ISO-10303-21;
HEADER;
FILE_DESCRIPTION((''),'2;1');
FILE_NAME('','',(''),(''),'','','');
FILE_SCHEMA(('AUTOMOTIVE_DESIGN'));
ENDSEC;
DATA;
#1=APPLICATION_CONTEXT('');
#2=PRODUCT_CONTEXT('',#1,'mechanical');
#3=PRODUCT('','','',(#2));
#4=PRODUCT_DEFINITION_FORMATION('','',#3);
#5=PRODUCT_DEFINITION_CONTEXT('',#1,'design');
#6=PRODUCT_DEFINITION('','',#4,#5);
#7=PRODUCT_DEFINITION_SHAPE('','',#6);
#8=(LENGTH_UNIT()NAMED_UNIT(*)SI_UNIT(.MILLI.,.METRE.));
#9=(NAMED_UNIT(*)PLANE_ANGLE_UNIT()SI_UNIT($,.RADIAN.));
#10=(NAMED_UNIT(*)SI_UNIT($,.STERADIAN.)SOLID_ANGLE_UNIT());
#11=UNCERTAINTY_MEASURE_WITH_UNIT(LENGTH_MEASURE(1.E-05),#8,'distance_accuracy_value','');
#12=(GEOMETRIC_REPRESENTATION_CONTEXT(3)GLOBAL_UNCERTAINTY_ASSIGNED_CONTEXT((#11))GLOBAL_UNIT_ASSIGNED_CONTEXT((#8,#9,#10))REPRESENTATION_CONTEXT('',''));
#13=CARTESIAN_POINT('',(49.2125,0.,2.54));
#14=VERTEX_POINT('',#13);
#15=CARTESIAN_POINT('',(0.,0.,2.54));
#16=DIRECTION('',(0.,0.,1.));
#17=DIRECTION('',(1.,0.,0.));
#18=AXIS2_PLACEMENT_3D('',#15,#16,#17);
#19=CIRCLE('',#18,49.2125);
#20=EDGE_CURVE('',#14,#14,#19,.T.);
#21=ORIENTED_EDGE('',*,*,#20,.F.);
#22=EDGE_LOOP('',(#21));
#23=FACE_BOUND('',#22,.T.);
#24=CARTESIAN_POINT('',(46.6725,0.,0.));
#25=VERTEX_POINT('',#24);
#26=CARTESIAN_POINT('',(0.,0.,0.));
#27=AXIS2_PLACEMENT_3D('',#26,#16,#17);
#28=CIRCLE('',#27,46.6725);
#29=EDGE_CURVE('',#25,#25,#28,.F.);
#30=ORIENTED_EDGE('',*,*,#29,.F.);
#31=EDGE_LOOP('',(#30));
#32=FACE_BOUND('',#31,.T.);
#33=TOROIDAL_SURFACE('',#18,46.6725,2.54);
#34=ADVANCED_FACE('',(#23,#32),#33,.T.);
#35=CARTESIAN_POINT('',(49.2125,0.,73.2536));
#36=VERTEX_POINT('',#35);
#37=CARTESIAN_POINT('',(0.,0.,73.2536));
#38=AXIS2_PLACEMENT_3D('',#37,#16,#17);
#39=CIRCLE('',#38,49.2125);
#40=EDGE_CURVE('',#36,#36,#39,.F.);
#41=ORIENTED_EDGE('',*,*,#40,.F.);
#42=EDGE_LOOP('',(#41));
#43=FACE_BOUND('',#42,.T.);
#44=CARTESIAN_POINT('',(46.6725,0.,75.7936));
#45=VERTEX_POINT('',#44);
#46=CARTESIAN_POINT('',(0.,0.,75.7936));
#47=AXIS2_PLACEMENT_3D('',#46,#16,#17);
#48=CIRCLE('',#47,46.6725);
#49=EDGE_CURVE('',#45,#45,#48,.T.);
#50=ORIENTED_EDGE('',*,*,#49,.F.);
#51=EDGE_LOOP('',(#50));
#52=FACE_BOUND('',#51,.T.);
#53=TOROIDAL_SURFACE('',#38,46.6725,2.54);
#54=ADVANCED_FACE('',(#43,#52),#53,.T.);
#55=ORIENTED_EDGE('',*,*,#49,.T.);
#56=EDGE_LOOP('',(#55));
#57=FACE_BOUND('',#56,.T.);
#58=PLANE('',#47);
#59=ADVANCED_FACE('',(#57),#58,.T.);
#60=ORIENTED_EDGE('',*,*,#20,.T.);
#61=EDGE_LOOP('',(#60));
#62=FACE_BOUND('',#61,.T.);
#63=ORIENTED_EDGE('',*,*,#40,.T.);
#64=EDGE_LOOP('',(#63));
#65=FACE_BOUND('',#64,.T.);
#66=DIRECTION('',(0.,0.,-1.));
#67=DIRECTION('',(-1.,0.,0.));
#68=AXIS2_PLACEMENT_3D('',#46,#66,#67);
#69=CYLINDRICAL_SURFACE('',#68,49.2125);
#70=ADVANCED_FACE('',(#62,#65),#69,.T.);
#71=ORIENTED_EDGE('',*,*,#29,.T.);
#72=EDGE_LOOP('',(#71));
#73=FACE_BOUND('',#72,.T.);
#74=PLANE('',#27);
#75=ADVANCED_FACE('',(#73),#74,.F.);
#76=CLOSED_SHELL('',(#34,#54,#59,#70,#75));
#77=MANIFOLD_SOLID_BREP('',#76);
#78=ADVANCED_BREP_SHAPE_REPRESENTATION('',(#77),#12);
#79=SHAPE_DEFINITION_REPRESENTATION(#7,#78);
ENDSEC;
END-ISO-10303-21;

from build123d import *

# Parameters (mm, degrees)
SKETCH1_R           = 49.2125
BOSS_EXTRUDE1_DEPTH = 75.7936
FILLET1_R           = 2.54


with BuildPart() as part:
    # Sketch1 → Boss-Extrude1 (new body)
    with BuildSketch(Plane.XY):
        Circle(SKETCH1_R)
    extrude(amount=BOSS_EXTRUDE1_DEPTH)

    # Fillet1
    fillet1_edges = [part.edges().sort_by_distance(p)[0] for p in [
        (-49.2125, 0, 0),
        (-49.2125, 0, 75.7936),
    ]]
    fillet(fillet1_edges, radius=FILLET1_R)


solid = part.part
